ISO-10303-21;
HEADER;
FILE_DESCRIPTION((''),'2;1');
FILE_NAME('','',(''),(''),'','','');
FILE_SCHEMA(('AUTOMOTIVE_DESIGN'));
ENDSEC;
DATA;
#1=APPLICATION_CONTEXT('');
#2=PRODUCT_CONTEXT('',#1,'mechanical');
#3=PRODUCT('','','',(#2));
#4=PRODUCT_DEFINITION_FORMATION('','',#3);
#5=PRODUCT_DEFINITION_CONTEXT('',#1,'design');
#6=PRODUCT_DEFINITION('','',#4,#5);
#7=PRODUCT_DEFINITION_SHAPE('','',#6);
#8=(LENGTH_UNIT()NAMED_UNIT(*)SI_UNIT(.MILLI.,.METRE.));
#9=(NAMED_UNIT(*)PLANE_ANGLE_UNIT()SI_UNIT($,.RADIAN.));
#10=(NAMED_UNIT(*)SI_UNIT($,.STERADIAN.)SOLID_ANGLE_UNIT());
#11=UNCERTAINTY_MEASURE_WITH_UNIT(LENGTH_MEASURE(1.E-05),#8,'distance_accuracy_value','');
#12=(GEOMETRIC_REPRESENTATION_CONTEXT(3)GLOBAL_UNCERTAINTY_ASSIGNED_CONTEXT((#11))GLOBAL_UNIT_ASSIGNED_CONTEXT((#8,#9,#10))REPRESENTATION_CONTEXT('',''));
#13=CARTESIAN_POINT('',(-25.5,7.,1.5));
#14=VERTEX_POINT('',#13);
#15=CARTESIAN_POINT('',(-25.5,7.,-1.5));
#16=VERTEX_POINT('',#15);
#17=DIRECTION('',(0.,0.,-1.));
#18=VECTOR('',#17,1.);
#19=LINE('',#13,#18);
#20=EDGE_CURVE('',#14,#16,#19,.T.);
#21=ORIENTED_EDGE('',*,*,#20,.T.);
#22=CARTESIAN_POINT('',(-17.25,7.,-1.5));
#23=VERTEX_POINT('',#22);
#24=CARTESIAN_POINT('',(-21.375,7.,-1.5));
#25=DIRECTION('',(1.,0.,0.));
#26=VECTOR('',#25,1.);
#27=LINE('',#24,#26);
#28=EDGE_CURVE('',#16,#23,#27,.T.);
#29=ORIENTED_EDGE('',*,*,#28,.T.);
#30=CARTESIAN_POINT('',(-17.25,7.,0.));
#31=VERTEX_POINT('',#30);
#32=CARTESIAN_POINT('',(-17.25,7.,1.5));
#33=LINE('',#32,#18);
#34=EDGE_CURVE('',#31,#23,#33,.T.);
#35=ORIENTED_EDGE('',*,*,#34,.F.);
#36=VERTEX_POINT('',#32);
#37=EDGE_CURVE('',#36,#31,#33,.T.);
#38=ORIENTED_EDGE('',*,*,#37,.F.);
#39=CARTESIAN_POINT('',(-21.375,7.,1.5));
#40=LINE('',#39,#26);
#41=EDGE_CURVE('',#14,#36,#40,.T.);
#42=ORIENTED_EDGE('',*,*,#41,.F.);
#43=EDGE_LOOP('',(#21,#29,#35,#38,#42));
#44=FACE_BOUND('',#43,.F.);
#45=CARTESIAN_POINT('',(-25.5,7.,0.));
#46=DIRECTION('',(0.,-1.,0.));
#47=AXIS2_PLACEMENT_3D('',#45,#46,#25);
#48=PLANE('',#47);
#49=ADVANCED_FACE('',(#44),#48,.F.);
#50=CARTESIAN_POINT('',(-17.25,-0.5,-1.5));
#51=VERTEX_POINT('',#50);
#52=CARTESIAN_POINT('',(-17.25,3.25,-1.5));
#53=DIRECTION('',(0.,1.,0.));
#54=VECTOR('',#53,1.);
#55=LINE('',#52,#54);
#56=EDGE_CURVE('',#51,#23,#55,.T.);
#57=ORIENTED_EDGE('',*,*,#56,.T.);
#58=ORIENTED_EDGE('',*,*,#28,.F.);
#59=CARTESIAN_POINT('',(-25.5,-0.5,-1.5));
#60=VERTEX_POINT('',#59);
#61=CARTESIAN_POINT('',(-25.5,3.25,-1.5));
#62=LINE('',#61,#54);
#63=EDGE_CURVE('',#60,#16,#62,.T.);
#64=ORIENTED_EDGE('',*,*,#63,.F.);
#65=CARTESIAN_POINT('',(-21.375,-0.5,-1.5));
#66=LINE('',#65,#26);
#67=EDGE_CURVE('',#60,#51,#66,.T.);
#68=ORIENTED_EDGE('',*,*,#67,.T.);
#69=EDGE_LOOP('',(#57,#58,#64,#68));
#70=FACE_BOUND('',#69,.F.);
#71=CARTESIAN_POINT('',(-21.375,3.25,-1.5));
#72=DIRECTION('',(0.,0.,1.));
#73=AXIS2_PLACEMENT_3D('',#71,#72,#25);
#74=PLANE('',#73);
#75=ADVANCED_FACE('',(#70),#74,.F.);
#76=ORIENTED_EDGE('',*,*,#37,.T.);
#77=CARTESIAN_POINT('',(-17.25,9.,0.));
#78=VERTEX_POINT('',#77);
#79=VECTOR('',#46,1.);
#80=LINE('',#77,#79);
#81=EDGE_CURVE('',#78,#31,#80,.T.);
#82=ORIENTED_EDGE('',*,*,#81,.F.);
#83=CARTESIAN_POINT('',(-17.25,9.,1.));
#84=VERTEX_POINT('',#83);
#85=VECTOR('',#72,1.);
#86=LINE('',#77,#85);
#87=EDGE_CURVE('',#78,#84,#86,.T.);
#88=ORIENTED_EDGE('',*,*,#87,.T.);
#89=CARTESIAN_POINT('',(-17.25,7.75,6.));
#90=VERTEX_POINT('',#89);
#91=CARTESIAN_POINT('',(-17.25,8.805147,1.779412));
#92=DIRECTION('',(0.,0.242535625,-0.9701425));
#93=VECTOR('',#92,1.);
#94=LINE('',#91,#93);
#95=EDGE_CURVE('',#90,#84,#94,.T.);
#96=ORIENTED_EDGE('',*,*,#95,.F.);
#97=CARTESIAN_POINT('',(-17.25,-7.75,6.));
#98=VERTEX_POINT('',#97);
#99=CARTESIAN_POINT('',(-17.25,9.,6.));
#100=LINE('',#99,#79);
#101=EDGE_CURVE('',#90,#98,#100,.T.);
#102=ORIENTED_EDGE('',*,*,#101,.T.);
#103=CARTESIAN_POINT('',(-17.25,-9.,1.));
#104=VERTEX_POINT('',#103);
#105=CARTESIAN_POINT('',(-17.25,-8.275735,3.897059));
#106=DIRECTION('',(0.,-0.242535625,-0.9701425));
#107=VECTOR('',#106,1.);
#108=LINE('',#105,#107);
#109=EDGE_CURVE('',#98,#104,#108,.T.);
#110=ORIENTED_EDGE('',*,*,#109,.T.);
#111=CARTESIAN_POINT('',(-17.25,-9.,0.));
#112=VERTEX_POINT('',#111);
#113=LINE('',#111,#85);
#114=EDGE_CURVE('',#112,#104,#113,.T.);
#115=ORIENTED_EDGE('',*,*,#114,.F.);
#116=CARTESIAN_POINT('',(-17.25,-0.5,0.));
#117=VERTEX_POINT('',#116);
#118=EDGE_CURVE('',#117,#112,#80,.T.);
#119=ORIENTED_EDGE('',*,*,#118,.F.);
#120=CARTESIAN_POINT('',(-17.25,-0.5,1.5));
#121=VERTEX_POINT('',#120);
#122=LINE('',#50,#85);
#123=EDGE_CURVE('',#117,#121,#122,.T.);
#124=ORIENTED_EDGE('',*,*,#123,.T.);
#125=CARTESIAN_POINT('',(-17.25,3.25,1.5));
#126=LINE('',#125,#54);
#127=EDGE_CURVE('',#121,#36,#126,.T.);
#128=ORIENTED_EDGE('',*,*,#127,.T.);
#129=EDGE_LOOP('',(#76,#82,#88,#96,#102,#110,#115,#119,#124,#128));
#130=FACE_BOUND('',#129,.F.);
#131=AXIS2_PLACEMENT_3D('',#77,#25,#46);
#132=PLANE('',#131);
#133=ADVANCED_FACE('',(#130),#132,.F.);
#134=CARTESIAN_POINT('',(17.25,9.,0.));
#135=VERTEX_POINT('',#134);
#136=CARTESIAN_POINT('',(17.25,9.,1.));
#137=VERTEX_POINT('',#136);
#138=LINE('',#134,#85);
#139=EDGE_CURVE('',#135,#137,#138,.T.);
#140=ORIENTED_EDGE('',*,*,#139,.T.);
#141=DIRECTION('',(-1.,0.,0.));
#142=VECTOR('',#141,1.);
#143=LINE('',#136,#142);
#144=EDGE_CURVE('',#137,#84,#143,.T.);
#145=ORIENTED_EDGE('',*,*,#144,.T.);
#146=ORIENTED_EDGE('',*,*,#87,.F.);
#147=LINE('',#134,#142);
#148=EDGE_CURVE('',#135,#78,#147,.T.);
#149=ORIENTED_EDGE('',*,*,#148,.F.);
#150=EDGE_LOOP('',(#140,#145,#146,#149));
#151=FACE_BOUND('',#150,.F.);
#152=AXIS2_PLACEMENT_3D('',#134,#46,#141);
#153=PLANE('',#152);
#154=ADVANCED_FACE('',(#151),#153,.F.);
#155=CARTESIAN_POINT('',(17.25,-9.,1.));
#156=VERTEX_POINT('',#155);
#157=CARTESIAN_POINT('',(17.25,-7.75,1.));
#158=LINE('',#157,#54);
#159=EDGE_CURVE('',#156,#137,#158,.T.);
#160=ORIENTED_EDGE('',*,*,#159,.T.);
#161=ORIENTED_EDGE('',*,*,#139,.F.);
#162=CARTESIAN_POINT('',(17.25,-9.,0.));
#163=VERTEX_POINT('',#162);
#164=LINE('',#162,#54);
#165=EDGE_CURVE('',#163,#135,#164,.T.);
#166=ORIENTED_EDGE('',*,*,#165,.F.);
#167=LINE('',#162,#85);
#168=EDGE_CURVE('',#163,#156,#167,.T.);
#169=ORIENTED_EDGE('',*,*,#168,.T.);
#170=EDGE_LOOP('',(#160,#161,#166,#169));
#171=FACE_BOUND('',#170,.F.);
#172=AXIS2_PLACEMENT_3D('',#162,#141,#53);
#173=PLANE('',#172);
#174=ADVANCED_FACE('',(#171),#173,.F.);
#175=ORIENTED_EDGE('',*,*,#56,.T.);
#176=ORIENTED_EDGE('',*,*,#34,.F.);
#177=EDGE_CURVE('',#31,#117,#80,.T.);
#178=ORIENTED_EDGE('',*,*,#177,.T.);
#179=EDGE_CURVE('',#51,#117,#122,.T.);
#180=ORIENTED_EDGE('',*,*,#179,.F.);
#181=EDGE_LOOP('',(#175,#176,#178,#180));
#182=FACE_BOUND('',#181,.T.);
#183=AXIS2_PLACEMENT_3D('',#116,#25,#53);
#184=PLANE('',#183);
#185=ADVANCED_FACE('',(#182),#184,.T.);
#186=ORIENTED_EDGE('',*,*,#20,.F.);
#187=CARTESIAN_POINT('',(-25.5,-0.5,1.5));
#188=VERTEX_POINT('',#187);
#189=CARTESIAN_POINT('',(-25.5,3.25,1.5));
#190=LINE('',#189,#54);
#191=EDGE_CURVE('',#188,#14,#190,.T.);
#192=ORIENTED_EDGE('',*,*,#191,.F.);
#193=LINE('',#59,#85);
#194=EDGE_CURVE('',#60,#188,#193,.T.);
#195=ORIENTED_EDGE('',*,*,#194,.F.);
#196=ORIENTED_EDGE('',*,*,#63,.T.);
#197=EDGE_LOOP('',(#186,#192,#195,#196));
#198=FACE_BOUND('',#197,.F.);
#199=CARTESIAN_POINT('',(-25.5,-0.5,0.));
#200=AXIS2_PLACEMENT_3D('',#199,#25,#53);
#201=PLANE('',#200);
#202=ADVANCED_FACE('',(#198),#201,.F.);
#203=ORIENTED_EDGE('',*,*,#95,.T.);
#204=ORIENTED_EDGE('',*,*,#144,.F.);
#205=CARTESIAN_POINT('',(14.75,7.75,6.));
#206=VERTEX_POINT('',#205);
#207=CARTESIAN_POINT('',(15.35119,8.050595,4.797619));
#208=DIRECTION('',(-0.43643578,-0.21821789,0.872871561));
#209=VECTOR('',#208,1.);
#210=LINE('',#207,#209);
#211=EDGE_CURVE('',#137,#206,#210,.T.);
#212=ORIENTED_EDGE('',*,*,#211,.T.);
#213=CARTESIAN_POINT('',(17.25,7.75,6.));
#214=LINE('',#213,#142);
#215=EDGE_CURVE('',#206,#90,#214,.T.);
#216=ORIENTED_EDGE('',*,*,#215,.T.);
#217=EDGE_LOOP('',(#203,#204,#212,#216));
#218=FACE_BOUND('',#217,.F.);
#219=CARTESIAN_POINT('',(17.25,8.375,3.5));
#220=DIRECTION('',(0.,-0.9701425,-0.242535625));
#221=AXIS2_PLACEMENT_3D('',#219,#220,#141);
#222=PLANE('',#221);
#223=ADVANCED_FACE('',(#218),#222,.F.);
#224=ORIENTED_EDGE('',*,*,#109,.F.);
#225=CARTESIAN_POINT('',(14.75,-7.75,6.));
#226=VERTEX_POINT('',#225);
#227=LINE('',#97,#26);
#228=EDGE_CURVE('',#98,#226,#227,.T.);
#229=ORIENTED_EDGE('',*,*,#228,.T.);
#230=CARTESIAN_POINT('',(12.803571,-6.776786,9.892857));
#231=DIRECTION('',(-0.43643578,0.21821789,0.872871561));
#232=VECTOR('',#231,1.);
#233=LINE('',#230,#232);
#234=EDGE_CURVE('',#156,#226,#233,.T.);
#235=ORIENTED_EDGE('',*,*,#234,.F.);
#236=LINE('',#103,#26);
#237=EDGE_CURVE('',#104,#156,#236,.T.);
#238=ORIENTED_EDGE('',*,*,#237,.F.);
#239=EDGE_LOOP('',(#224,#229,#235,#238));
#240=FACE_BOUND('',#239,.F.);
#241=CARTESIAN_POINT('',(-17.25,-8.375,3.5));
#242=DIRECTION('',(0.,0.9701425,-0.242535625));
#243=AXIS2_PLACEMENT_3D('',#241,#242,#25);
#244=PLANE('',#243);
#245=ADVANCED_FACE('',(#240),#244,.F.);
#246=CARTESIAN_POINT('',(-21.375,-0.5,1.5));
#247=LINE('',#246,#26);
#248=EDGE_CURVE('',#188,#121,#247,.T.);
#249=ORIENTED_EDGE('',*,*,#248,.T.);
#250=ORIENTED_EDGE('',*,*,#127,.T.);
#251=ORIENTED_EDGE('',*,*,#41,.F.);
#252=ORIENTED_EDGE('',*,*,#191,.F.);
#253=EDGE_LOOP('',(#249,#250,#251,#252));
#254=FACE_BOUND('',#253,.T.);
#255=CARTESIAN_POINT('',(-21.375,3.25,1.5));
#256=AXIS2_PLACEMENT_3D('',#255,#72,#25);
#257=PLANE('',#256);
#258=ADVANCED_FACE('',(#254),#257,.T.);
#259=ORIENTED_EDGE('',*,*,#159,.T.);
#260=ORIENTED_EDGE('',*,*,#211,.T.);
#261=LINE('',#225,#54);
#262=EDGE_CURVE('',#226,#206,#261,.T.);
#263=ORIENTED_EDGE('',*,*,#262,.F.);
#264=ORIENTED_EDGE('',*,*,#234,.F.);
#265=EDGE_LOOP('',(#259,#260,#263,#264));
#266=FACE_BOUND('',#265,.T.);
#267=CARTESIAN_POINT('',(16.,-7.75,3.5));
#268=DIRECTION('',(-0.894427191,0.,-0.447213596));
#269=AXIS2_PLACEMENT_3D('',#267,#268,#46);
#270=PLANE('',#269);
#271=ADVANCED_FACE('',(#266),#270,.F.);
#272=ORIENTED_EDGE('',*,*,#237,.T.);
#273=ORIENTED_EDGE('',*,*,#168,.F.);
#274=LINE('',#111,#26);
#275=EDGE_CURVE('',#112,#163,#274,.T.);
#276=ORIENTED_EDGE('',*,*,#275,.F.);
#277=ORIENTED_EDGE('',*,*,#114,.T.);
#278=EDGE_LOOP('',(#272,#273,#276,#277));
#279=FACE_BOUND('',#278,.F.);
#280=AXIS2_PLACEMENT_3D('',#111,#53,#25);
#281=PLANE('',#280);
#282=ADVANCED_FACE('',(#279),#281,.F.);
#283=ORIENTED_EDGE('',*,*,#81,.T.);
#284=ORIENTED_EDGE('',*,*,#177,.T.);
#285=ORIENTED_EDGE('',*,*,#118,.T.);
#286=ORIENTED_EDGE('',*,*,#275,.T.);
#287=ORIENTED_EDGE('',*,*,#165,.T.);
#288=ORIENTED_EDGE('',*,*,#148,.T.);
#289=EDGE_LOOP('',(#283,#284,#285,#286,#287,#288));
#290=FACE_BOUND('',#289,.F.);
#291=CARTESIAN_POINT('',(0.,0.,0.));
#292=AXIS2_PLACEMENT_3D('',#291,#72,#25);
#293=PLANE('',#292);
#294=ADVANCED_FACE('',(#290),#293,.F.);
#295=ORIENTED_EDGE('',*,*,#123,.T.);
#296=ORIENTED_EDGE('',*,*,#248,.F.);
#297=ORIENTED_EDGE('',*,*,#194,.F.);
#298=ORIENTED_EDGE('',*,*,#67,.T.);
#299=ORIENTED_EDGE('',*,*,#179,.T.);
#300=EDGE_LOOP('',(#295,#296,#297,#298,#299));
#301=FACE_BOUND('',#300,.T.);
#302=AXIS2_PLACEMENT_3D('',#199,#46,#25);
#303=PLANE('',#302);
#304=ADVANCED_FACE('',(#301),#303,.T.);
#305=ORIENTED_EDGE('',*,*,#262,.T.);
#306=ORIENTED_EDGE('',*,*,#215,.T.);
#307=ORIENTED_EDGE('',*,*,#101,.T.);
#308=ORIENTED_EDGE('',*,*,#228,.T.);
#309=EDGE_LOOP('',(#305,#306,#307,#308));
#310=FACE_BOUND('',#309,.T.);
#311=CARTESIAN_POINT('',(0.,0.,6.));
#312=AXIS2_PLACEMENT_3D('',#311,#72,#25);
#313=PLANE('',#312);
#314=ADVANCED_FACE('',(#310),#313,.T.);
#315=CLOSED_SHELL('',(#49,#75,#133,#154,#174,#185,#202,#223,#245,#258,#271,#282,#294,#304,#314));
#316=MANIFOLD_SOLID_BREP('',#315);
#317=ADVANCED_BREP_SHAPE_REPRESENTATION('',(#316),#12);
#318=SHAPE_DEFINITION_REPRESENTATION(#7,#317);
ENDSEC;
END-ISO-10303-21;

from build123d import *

# Parameters (mm, degrees)
F1_DEPTH = 6
F0_W     = 8.25
F0_H     = 7.5
F2_DEPTH = 1.5
F3_SIZE2 = 5
F3_SIZE  = 1.25
F4_SIZE2 = 2.5
F4_SIZE  = 5


with BuildPart() as f1:
    # F0 (on Top) → F1 (new body)
    with BuildSketch(Plane.XY):
        Polygon((17.25, 9), (-17.25, 9), (-17.25, 7), (-17.25, -0.5), (-17.25, -9), (17.25, -9), align=None)
    extrude(amount=F1_DEPTH)

    # F0 (on Top) → F2 (join, symmetric)
    with BuildSketch(Plane.XY):
        with Locations((-21.375, 3.25)):
            Rectangle(F0_W, F0_H)
    extrude(amount=F2_DEPTH, both=True)

    # F3
    f3_edges = [f1.edges().sort_by_distance(p)[0] for p in [
        (0, -9, 6),
        (0, 9, 6),
    ]]
    f3_side = f1.faces().sort_by_distance((0, 0, 6))[0]
    chamfer(f3_edges, length=F3_SIZE, length2=F3_SIZE2, reference=f3_side)

    # F4
    f4_edges = [f1.edges().sort_by_distance(p)[0] for p in [
        (17.25, 0, 6),
    ]]
    f4_side = f1.faces().sort_by_distance((17.25, 0, 2.9181))[0]
    chamfer(f4_edges, length=F4_SIZE, length2=F4_SIZE2, reference=f4_side)


solid = f1.part
